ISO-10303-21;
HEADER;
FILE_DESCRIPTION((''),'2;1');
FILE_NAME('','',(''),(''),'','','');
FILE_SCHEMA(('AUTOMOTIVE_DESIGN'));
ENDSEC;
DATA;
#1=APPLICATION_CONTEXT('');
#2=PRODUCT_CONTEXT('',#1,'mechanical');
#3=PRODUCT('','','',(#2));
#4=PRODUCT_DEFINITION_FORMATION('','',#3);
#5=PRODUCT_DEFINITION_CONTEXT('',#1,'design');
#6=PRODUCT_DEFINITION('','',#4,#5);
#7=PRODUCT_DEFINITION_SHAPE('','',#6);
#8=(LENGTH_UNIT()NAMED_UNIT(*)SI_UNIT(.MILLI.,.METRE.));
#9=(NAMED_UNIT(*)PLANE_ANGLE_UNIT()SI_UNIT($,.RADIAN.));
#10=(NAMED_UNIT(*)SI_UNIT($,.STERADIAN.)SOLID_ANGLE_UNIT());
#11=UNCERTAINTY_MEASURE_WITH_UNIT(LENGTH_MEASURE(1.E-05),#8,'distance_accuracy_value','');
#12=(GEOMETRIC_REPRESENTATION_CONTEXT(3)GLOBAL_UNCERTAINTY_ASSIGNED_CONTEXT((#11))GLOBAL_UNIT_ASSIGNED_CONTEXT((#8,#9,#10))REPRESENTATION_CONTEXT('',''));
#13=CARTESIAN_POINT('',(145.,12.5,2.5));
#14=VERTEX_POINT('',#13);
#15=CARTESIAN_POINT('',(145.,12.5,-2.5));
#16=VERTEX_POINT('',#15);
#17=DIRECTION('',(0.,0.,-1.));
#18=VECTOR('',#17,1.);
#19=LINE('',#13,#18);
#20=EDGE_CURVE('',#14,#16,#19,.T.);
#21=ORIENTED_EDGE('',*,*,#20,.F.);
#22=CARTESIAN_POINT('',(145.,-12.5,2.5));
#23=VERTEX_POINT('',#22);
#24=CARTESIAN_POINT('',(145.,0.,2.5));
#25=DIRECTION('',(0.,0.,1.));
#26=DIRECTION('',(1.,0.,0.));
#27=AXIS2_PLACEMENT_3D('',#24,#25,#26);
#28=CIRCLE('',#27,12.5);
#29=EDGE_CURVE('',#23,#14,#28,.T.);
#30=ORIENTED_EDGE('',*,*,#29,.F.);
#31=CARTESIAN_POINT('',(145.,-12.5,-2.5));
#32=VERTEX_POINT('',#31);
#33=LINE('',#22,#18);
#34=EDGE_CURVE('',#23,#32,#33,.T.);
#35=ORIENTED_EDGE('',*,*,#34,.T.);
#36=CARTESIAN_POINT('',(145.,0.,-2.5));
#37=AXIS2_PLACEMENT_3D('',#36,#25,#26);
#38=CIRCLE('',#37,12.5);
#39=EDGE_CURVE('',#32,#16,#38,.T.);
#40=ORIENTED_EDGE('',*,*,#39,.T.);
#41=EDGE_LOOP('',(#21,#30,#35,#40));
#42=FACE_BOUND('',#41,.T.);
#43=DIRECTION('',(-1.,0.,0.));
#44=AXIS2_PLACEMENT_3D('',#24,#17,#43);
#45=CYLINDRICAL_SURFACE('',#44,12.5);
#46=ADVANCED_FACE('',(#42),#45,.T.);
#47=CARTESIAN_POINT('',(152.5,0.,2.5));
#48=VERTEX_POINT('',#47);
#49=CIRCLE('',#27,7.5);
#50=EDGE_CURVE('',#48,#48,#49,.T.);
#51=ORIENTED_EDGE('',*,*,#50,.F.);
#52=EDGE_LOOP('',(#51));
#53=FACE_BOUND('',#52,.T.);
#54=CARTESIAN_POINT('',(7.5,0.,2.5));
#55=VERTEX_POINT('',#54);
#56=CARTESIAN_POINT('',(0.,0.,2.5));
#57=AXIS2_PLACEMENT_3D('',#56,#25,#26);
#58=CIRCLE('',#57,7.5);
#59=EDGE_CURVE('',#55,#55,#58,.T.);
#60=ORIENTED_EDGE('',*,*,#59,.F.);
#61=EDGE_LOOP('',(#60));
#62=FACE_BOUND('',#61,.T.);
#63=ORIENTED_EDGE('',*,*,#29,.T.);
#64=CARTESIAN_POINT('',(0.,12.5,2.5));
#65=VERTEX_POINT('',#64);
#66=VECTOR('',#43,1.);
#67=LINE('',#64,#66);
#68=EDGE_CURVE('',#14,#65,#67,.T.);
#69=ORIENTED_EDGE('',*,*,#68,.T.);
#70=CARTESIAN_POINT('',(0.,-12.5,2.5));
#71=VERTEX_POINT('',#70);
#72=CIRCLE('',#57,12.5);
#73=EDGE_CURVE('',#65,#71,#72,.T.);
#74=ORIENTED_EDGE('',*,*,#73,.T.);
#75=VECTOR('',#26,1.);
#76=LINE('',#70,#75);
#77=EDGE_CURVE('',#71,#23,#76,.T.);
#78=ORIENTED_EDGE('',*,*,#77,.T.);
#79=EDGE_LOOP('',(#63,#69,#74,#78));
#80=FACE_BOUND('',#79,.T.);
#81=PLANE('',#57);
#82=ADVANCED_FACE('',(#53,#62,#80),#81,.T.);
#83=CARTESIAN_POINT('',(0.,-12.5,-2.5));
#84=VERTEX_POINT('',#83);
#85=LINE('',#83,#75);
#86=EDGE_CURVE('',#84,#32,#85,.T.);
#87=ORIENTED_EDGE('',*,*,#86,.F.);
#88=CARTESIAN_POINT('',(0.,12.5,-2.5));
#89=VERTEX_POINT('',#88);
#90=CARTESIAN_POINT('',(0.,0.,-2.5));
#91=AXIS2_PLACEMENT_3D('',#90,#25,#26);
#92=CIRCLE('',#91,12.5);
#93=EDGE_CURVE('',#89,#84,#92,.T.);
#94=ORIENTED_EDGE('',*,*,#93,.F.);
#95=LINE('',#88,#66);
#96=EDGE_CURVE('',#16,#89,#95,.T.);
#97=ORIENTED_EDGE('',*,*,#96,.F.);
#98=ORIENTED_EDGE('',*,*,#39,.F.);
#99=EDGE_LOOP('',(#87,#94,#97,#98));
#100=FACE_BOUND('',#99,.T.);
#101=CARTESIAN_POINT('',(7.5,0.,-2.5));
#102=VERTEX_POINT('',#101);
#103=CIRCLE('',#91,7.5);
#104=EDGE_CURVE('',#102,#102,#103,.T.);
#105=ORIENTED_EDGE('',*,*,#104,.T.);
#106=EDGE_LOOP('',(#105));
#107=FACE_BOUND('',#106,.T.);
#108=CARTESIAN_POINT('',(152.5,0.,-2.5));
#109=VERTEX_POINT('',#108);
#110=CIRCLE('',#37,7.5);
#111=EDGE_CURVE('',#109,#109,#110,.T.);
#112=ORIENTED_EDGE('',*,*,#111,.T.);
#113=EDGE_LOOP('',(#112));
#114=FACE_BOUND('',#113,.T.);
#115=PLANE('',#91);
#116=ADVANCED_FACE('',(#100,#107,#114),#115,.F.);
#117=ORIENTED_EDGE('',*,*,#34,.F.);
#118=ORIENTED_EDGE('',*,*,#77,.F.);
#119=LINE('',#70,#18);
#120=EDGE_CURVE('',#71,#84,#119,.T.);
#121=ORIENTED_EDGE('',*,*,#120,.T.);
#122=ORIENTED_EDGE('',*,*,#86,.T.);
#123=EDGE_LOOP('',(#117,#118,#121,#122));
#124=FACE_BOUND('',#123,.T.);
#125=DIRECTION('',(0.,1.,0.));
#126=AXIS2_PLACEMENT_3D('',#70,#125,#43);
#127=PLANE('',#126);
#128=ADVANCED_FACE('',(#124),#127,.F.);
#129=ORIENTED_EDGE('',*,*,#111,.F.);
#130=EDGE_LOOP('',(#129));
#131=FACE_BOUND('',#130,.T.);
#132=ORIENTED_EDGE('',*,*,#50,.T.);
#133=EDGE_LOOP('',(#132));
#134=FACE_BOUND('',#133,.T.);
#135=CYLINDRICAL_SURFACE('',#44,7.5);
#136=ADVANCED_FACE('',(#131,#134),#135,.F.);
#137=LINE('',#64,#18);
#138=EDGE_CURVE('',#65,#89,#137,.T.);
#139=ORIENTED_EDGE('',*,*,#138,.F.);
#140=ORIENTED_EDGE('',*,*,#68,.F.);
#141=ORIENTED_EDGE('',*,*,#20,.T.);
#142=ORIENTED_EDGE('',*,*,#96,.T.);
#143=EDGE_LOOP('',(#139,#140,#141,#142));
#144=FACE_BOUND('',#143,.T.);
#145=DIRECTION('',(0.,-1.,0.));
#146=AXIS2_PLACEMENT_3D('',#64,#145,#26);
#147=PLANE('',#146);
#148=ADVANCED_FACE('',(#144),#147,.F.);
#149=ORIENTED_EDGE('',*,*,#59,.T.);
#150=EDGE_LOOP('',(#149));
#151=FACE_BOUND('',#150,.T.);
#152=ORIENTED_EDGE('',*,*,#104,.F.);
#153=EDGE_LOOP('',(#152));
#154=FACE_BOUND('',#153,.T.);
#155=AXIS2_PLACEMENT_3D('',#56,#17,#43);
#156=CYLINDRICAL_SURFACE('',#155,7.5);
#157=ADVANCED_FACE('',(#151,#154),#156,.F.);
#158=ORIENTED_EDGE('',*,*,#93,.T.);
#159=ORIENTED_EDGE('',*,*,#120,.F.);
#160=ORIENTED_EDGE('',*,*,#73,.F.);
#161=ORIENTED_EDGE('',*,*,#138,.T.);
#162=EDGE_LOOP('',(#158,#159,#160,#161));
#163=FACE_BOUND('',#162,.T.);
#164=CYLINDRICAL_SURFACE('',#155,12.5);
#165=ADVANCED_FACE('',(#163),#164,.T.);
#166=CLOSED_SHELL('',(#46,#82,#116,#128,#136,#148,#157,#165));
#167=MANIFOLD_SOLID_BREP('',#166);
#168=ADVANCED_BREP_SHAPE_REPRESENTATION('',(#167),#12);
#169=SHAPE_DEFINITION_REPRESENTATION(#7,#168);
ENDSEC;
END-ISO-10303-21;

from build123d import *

# Parameters (mm, degrees)
SKETCH1_R           = 7.5
BOSS_EXTRUDE1_DEPTH = 2.5


with BuildPart() as part:
    # Sketch1 → Boss-Extrude1 (new body, symmetric)
    with BuildSketch(Plane.XY):
        with BuildLine():
            Line((0, 12.5), (145, 12.5))
            ThreePointArc((145, 12.5), (157.5, 0), (145, -12.5))
            Line((145, -12.5), (0, -12.5))
            ThreePointArc((0, -12.5), (-12.5, 0), (0, 12.5))
        make_face()
        Circle(SKETCH1_R, mode=Mode.SUBTRACT)
        with Locations((145, 0)):
            Circle(SKETCH1_R, mode=Mode.SUBTRACT)
    extrude(amount=BOSS_EXTRUDE1_DEPTH, both=True)


solid = part.part
